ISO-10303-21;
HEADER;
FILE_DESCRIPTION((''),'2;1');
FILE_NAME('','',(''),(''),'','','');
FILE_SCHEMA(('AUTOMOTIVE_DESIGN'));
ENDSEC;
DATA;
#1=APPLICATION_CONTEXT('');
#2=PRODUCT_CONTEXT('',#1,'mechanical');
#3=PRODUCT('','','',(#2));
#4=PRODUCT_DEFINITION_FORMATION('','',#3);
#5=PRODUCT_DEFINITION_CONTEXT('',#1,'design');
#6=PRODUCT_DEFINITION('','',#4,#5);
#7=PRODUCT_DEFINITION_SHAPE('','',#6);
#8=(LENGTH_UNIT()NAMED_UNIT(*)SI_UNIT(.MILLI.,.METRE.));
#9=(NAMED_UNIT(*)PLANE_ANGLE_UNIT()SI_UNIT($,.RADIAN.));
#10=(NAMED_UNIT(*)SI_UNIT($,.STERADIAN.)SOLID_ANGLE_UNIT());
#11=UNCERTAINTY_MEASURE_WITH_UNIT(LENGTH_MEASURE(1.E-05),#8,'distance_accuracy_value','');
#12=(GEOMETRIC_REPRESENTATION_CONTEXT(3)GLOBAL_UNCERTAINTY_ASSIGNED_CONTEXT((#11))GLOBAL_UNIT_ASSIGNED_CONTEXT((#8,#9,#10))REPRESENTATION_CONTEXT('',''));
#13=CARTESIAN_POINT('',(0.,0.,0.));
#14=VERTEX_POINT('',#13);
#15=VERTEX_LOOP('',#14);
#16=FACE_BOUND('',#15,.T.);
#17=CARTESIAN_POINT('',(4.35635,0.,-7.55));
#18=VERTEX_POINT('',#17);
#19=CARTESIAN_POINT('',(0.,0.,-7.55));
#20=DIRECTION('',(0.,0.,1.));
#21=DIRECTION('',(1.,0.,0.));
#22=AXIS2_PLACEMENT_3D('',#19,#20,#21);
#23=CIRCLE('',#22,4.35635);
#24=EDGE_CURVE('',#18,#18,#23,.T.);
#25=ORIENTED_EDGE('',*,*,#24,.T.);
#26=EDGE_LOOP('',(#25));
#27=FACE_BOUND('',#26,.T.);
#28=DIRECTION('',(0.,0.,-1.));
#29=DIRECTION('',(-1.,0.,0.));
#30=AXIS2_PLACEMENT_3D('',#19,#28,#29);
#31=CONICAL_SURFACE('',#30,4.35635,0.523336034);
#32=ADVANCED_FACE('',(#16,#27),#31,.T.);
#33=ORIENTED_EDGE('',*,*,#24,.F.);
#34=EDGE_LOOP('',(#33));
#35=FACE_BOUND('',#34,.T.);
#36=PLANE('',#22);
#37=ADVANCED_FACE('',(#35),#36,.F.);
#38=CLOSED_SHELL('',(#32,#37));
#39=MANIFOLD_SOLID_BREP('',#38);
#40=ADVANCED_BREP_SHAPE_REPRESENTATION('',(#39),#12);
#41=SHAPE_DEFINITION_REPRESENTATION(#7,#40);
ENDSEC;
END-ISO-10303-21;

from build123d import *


with BuildPart() as part:
    # Sketch1 → Revolve1 (revolve)
    with BuildSketch(Plane(origin=(0, 0, 0), x_dir=(1, 0, 0), z_dir=(0, 1, 0))):
        Polygon((0, 0), (0, 7.55), (-4.35635, 7.55), align=None)
    revolve(axis=Axis((0, 0, 0), (0, 0, -1)))


solid = part.part
